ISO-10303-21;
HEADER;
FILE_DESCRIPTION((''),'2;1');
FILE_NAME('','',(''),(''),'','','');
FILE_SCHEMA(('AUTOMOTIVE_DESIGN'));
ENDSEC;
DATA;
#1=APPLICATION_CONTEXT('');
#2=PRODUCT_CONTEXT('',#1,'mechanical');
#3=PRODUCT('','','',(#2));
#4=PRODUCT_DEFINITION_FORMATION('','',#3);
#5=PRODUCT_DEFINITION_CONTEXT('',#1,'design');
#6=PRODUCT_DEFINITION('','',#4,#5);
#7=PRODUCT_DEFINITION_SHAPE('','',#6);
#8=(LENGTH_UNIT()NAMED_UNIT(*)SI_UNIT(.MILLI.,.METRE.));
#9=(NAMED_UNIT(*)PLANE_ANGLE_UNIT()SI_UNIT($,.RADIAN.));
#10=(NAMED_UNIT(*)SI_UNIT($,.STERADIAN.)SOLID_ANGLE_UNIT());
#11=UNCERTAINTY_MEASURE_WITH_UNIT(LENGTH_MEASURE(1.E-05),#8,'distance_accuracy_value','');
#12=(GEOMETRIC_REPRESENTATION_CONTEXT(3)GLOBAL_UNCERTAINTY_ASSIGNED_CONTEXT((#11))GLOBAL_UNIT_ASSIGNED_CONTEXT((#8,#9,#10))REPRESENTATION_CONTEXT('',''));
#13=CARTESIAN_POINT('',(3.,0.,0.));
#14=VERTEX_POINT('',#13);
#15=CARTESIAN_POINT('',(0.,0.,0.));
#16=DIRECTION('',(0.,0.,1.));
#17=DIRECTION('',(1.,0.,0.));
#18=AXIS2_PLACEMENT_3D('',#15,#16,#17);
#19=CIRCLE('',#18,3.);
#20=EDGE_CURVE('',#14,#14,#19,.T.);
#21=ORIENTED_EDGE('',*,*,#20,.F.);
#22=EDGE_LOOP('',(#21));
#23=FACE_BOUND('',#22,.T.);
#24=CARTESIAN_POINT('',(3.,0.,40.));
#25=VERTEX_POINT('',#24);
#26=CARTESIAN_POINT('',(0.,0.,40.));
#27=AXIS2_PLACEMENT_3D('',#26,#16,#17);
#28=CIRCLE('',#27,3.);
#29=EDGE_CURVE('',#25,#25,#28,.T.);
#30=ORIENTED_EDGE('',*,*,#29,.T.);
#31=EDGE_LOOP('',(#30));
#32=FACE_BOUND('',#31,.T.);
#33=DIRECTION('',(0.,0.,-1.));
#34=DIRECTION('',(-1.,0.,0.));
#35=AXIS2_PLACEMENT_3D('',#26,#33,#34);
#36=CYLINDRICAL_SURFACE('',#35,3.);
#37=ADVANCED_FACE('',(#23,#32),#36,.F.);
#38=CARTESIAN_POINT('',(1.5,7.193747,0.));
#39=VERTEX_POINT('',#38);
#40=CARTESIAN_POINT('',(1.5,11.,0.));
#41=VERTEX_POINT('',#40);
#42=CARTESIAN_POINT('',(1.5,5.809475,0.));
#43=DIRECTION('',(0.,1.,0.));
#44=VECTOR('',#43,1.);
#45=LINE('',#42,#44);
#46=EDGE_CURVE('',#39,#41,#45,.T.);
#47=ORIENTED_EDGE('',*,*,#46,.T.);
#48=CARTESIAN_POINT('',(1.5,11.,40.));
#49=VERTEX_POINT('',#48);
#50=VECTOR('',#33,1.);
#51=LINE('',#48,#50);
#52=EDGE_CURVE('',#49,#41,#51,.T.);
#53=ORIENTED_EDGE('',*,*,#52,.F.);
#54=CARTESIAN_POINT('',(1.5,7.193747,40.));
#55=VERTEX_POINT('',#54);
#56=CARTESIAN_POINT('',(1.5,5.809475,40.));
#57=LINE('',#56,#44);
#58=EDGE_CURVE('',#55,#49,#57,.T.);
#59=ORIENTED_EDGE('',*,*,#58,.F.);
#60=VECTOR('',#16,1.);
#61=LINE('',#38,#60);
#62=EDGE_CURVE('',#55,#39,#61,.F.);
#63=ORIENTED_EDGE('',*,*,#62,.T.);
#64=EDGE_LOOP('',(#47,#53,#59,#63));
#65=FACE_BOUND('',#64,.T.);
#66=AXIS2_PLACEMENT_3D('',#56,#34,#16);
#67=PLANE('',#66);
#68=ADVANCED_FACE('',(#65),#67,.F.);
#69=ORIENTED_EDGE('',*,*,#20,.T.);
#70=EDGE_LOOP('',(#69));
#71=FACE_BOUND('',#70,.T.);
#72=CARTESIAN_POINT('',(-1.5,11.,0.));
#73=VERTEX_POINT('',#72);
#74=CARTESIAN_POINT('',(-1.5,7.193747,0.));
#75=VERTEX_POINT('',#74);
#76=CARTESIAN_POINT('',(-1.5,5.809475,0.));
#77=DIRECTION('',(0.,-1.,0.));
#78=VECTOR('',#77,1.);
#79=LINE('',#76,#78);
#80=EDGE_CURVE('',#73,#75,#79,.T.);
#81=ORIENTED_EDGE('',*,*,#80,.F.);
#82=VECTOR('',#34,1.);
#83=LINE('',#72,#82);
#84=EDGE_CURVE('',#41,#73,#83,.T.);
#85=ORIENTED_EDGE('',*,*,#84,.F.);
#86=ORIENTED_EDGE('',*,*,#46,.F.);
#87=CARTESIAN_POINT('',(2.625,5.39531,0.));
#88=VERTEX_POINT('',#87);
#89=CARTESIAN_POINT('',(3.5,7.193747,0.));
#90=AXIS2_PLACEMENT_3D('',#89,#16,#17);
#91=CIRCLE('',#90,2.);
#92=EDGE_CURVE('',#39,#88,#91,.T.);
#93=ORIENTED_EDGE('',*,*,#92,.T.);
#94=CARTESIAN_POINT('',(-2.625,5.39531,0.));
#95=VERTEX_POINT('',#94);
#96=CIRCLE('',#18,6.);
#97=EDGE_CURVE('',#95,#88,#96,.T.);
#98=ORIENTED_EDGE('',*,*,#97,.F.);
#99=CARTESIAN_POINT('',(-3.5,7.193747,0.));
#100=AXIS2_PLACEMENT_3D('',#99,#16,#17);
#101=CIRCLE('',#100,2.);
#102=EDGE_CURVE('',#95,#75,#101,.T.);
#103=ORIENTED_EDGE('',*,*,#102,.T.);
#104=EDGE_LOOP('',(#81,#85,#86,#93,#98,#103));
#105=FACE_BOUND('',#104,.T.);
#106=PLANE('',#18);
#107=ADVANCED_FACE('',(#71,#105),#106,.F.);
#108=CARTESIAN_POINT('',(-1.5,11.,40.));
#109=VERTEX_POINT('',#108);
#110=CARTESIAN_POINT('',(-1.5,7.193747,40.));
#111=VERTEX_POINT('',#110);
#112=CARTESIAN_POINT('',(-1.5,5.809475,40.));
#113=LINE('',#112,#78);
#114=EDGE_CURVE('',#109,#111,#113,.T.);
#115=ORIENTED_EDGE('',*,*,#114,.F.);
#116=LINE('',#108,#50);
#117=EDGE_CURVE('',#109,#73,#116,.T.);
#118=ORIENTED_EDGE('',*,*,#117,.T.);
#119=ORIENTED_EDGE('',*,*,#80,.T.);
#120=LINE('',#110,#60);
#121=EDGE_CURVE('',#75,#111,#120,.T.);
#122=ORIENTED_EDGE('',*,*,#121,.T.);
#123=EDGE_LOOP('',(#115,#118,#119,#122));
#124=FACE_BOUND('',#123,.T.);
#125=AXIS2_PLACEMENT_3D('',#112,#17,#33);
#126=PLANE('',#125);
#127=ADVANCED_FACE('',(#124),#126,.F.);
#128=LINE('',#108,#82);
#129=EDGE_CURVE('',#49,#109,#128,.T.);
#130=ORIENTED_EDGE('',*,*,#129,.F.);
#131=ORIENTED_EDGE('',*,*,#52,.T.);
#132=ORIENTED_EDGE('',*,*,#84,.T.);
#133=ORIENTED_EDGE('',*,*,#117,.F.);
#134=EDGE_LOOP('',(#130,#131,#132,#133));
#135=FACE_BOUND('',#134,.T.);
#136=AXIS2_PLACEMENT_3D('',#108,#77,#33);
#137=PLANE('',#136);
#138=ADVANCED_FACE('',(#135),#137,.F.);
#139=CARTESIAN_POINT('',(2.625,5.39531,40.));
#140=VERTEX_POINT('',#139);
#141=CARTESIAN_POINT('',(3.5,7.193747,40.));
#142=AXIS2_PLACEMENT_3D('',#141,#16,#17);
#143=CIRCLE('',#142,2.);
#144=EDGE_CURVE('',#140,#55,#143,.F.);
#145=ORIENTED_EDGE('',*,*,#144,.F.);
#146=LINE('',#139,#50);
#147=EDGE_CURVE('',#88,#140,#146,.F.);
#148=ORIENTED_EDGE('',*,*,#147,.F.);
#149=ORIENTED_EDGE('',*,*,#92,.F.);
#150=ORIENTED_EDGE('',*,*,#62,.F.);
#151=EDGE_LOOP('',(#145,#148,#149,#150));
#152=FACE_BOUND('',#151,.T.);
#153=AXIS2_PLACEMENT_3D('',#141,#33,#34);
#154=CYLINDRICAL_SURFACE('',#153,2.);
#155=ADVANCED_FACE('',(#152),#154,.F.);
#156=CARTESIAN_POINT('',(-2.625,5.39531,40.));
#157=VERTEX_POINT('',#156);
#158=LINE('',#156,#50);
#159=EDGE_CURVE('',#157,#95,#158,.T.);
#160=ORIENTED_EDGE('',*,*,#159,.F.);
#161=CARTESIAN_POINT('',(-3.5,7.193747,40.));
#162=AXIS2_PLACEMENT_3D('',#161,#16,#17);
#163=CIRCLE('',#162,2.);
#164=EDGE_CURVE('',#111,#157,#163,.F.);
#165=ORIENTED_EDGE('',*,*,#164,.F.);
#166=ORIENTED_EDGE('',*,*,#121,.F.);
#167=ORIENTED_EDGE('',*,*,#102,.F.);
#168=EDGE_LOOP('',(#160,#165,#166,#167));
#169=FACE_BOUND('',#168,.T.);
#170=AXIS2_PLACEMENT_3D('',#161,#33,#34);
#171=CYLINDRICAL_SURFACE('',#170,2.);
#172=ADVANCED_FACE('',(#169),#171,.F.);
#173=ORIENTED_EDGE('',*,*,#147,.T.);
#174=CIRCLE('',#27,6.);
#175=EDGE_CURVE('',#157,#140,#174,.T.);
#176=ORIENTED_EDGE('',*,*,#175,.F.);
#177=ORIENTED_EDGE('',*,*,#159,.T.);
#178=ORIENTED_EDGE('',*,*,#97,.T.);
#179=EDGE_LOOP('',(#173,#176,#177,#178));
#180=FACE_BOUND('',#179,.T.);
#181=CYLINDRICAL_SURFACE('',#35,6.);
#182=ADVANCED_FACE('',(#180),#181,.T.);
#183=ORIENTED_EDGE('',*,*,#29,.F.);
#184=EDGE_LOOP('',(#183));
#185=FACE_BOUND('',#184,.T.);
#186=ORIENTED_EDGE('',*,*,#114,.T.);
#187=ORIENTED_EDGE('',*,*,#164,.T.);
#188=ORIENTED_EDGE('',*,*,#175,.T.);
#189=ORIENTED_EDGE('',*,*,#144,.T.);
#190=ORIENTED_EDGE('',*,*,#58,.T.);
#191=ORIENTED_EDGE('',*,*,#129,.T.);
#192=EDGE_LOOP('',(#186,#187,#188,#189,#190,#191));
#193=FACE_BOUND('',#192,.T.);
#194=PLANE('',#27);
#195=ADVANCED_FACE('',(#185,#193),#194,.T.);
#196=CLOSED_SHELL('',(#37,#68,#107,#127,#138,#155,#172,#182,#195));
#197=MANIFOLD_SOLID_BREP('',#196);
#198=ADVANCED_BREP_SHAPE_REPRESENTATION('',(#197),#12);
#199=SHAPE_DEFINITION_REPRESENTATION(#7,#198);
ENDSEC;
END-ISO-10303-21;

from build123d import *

# Parameters (mm, degrees)
SKETCH1_R           = 3
BOSS_EXTRUDE1_DEPTH = 40
FILLET1_R           = 2


with BuildPart() as part:
    # Sketch1 → Boss-Extrude1 (new body)
    with BuildSketch(Plane.XY):
        with BuildLine():
            Line((-1.5, 5.809475019), (-1.5, 11))
            Line((-1.5, 11), (1.5, 11))
            Line((1.5, 11), (1.5, 5.809475019))
            ThreePointArc((1.5, 5.809475019), (0, -6), (-1.5, 5.809475019))
        make_face()
        Circle(SKETCH1_R, mode=Mode.SUBTRACT)
    extrude(amount=BOSS_EXTRUDE1_DEPTH)

    # Fillet1
    fillet1_edges = [part.edges().sort_by_distance(p)[0] for p in [
        (1.5, 5.809475019, 20),
        (-1.5, 5.809475019, 20),
    ]]
    fillet(fillet1_edges, radius=FILLET1_R)


solid = part.part
